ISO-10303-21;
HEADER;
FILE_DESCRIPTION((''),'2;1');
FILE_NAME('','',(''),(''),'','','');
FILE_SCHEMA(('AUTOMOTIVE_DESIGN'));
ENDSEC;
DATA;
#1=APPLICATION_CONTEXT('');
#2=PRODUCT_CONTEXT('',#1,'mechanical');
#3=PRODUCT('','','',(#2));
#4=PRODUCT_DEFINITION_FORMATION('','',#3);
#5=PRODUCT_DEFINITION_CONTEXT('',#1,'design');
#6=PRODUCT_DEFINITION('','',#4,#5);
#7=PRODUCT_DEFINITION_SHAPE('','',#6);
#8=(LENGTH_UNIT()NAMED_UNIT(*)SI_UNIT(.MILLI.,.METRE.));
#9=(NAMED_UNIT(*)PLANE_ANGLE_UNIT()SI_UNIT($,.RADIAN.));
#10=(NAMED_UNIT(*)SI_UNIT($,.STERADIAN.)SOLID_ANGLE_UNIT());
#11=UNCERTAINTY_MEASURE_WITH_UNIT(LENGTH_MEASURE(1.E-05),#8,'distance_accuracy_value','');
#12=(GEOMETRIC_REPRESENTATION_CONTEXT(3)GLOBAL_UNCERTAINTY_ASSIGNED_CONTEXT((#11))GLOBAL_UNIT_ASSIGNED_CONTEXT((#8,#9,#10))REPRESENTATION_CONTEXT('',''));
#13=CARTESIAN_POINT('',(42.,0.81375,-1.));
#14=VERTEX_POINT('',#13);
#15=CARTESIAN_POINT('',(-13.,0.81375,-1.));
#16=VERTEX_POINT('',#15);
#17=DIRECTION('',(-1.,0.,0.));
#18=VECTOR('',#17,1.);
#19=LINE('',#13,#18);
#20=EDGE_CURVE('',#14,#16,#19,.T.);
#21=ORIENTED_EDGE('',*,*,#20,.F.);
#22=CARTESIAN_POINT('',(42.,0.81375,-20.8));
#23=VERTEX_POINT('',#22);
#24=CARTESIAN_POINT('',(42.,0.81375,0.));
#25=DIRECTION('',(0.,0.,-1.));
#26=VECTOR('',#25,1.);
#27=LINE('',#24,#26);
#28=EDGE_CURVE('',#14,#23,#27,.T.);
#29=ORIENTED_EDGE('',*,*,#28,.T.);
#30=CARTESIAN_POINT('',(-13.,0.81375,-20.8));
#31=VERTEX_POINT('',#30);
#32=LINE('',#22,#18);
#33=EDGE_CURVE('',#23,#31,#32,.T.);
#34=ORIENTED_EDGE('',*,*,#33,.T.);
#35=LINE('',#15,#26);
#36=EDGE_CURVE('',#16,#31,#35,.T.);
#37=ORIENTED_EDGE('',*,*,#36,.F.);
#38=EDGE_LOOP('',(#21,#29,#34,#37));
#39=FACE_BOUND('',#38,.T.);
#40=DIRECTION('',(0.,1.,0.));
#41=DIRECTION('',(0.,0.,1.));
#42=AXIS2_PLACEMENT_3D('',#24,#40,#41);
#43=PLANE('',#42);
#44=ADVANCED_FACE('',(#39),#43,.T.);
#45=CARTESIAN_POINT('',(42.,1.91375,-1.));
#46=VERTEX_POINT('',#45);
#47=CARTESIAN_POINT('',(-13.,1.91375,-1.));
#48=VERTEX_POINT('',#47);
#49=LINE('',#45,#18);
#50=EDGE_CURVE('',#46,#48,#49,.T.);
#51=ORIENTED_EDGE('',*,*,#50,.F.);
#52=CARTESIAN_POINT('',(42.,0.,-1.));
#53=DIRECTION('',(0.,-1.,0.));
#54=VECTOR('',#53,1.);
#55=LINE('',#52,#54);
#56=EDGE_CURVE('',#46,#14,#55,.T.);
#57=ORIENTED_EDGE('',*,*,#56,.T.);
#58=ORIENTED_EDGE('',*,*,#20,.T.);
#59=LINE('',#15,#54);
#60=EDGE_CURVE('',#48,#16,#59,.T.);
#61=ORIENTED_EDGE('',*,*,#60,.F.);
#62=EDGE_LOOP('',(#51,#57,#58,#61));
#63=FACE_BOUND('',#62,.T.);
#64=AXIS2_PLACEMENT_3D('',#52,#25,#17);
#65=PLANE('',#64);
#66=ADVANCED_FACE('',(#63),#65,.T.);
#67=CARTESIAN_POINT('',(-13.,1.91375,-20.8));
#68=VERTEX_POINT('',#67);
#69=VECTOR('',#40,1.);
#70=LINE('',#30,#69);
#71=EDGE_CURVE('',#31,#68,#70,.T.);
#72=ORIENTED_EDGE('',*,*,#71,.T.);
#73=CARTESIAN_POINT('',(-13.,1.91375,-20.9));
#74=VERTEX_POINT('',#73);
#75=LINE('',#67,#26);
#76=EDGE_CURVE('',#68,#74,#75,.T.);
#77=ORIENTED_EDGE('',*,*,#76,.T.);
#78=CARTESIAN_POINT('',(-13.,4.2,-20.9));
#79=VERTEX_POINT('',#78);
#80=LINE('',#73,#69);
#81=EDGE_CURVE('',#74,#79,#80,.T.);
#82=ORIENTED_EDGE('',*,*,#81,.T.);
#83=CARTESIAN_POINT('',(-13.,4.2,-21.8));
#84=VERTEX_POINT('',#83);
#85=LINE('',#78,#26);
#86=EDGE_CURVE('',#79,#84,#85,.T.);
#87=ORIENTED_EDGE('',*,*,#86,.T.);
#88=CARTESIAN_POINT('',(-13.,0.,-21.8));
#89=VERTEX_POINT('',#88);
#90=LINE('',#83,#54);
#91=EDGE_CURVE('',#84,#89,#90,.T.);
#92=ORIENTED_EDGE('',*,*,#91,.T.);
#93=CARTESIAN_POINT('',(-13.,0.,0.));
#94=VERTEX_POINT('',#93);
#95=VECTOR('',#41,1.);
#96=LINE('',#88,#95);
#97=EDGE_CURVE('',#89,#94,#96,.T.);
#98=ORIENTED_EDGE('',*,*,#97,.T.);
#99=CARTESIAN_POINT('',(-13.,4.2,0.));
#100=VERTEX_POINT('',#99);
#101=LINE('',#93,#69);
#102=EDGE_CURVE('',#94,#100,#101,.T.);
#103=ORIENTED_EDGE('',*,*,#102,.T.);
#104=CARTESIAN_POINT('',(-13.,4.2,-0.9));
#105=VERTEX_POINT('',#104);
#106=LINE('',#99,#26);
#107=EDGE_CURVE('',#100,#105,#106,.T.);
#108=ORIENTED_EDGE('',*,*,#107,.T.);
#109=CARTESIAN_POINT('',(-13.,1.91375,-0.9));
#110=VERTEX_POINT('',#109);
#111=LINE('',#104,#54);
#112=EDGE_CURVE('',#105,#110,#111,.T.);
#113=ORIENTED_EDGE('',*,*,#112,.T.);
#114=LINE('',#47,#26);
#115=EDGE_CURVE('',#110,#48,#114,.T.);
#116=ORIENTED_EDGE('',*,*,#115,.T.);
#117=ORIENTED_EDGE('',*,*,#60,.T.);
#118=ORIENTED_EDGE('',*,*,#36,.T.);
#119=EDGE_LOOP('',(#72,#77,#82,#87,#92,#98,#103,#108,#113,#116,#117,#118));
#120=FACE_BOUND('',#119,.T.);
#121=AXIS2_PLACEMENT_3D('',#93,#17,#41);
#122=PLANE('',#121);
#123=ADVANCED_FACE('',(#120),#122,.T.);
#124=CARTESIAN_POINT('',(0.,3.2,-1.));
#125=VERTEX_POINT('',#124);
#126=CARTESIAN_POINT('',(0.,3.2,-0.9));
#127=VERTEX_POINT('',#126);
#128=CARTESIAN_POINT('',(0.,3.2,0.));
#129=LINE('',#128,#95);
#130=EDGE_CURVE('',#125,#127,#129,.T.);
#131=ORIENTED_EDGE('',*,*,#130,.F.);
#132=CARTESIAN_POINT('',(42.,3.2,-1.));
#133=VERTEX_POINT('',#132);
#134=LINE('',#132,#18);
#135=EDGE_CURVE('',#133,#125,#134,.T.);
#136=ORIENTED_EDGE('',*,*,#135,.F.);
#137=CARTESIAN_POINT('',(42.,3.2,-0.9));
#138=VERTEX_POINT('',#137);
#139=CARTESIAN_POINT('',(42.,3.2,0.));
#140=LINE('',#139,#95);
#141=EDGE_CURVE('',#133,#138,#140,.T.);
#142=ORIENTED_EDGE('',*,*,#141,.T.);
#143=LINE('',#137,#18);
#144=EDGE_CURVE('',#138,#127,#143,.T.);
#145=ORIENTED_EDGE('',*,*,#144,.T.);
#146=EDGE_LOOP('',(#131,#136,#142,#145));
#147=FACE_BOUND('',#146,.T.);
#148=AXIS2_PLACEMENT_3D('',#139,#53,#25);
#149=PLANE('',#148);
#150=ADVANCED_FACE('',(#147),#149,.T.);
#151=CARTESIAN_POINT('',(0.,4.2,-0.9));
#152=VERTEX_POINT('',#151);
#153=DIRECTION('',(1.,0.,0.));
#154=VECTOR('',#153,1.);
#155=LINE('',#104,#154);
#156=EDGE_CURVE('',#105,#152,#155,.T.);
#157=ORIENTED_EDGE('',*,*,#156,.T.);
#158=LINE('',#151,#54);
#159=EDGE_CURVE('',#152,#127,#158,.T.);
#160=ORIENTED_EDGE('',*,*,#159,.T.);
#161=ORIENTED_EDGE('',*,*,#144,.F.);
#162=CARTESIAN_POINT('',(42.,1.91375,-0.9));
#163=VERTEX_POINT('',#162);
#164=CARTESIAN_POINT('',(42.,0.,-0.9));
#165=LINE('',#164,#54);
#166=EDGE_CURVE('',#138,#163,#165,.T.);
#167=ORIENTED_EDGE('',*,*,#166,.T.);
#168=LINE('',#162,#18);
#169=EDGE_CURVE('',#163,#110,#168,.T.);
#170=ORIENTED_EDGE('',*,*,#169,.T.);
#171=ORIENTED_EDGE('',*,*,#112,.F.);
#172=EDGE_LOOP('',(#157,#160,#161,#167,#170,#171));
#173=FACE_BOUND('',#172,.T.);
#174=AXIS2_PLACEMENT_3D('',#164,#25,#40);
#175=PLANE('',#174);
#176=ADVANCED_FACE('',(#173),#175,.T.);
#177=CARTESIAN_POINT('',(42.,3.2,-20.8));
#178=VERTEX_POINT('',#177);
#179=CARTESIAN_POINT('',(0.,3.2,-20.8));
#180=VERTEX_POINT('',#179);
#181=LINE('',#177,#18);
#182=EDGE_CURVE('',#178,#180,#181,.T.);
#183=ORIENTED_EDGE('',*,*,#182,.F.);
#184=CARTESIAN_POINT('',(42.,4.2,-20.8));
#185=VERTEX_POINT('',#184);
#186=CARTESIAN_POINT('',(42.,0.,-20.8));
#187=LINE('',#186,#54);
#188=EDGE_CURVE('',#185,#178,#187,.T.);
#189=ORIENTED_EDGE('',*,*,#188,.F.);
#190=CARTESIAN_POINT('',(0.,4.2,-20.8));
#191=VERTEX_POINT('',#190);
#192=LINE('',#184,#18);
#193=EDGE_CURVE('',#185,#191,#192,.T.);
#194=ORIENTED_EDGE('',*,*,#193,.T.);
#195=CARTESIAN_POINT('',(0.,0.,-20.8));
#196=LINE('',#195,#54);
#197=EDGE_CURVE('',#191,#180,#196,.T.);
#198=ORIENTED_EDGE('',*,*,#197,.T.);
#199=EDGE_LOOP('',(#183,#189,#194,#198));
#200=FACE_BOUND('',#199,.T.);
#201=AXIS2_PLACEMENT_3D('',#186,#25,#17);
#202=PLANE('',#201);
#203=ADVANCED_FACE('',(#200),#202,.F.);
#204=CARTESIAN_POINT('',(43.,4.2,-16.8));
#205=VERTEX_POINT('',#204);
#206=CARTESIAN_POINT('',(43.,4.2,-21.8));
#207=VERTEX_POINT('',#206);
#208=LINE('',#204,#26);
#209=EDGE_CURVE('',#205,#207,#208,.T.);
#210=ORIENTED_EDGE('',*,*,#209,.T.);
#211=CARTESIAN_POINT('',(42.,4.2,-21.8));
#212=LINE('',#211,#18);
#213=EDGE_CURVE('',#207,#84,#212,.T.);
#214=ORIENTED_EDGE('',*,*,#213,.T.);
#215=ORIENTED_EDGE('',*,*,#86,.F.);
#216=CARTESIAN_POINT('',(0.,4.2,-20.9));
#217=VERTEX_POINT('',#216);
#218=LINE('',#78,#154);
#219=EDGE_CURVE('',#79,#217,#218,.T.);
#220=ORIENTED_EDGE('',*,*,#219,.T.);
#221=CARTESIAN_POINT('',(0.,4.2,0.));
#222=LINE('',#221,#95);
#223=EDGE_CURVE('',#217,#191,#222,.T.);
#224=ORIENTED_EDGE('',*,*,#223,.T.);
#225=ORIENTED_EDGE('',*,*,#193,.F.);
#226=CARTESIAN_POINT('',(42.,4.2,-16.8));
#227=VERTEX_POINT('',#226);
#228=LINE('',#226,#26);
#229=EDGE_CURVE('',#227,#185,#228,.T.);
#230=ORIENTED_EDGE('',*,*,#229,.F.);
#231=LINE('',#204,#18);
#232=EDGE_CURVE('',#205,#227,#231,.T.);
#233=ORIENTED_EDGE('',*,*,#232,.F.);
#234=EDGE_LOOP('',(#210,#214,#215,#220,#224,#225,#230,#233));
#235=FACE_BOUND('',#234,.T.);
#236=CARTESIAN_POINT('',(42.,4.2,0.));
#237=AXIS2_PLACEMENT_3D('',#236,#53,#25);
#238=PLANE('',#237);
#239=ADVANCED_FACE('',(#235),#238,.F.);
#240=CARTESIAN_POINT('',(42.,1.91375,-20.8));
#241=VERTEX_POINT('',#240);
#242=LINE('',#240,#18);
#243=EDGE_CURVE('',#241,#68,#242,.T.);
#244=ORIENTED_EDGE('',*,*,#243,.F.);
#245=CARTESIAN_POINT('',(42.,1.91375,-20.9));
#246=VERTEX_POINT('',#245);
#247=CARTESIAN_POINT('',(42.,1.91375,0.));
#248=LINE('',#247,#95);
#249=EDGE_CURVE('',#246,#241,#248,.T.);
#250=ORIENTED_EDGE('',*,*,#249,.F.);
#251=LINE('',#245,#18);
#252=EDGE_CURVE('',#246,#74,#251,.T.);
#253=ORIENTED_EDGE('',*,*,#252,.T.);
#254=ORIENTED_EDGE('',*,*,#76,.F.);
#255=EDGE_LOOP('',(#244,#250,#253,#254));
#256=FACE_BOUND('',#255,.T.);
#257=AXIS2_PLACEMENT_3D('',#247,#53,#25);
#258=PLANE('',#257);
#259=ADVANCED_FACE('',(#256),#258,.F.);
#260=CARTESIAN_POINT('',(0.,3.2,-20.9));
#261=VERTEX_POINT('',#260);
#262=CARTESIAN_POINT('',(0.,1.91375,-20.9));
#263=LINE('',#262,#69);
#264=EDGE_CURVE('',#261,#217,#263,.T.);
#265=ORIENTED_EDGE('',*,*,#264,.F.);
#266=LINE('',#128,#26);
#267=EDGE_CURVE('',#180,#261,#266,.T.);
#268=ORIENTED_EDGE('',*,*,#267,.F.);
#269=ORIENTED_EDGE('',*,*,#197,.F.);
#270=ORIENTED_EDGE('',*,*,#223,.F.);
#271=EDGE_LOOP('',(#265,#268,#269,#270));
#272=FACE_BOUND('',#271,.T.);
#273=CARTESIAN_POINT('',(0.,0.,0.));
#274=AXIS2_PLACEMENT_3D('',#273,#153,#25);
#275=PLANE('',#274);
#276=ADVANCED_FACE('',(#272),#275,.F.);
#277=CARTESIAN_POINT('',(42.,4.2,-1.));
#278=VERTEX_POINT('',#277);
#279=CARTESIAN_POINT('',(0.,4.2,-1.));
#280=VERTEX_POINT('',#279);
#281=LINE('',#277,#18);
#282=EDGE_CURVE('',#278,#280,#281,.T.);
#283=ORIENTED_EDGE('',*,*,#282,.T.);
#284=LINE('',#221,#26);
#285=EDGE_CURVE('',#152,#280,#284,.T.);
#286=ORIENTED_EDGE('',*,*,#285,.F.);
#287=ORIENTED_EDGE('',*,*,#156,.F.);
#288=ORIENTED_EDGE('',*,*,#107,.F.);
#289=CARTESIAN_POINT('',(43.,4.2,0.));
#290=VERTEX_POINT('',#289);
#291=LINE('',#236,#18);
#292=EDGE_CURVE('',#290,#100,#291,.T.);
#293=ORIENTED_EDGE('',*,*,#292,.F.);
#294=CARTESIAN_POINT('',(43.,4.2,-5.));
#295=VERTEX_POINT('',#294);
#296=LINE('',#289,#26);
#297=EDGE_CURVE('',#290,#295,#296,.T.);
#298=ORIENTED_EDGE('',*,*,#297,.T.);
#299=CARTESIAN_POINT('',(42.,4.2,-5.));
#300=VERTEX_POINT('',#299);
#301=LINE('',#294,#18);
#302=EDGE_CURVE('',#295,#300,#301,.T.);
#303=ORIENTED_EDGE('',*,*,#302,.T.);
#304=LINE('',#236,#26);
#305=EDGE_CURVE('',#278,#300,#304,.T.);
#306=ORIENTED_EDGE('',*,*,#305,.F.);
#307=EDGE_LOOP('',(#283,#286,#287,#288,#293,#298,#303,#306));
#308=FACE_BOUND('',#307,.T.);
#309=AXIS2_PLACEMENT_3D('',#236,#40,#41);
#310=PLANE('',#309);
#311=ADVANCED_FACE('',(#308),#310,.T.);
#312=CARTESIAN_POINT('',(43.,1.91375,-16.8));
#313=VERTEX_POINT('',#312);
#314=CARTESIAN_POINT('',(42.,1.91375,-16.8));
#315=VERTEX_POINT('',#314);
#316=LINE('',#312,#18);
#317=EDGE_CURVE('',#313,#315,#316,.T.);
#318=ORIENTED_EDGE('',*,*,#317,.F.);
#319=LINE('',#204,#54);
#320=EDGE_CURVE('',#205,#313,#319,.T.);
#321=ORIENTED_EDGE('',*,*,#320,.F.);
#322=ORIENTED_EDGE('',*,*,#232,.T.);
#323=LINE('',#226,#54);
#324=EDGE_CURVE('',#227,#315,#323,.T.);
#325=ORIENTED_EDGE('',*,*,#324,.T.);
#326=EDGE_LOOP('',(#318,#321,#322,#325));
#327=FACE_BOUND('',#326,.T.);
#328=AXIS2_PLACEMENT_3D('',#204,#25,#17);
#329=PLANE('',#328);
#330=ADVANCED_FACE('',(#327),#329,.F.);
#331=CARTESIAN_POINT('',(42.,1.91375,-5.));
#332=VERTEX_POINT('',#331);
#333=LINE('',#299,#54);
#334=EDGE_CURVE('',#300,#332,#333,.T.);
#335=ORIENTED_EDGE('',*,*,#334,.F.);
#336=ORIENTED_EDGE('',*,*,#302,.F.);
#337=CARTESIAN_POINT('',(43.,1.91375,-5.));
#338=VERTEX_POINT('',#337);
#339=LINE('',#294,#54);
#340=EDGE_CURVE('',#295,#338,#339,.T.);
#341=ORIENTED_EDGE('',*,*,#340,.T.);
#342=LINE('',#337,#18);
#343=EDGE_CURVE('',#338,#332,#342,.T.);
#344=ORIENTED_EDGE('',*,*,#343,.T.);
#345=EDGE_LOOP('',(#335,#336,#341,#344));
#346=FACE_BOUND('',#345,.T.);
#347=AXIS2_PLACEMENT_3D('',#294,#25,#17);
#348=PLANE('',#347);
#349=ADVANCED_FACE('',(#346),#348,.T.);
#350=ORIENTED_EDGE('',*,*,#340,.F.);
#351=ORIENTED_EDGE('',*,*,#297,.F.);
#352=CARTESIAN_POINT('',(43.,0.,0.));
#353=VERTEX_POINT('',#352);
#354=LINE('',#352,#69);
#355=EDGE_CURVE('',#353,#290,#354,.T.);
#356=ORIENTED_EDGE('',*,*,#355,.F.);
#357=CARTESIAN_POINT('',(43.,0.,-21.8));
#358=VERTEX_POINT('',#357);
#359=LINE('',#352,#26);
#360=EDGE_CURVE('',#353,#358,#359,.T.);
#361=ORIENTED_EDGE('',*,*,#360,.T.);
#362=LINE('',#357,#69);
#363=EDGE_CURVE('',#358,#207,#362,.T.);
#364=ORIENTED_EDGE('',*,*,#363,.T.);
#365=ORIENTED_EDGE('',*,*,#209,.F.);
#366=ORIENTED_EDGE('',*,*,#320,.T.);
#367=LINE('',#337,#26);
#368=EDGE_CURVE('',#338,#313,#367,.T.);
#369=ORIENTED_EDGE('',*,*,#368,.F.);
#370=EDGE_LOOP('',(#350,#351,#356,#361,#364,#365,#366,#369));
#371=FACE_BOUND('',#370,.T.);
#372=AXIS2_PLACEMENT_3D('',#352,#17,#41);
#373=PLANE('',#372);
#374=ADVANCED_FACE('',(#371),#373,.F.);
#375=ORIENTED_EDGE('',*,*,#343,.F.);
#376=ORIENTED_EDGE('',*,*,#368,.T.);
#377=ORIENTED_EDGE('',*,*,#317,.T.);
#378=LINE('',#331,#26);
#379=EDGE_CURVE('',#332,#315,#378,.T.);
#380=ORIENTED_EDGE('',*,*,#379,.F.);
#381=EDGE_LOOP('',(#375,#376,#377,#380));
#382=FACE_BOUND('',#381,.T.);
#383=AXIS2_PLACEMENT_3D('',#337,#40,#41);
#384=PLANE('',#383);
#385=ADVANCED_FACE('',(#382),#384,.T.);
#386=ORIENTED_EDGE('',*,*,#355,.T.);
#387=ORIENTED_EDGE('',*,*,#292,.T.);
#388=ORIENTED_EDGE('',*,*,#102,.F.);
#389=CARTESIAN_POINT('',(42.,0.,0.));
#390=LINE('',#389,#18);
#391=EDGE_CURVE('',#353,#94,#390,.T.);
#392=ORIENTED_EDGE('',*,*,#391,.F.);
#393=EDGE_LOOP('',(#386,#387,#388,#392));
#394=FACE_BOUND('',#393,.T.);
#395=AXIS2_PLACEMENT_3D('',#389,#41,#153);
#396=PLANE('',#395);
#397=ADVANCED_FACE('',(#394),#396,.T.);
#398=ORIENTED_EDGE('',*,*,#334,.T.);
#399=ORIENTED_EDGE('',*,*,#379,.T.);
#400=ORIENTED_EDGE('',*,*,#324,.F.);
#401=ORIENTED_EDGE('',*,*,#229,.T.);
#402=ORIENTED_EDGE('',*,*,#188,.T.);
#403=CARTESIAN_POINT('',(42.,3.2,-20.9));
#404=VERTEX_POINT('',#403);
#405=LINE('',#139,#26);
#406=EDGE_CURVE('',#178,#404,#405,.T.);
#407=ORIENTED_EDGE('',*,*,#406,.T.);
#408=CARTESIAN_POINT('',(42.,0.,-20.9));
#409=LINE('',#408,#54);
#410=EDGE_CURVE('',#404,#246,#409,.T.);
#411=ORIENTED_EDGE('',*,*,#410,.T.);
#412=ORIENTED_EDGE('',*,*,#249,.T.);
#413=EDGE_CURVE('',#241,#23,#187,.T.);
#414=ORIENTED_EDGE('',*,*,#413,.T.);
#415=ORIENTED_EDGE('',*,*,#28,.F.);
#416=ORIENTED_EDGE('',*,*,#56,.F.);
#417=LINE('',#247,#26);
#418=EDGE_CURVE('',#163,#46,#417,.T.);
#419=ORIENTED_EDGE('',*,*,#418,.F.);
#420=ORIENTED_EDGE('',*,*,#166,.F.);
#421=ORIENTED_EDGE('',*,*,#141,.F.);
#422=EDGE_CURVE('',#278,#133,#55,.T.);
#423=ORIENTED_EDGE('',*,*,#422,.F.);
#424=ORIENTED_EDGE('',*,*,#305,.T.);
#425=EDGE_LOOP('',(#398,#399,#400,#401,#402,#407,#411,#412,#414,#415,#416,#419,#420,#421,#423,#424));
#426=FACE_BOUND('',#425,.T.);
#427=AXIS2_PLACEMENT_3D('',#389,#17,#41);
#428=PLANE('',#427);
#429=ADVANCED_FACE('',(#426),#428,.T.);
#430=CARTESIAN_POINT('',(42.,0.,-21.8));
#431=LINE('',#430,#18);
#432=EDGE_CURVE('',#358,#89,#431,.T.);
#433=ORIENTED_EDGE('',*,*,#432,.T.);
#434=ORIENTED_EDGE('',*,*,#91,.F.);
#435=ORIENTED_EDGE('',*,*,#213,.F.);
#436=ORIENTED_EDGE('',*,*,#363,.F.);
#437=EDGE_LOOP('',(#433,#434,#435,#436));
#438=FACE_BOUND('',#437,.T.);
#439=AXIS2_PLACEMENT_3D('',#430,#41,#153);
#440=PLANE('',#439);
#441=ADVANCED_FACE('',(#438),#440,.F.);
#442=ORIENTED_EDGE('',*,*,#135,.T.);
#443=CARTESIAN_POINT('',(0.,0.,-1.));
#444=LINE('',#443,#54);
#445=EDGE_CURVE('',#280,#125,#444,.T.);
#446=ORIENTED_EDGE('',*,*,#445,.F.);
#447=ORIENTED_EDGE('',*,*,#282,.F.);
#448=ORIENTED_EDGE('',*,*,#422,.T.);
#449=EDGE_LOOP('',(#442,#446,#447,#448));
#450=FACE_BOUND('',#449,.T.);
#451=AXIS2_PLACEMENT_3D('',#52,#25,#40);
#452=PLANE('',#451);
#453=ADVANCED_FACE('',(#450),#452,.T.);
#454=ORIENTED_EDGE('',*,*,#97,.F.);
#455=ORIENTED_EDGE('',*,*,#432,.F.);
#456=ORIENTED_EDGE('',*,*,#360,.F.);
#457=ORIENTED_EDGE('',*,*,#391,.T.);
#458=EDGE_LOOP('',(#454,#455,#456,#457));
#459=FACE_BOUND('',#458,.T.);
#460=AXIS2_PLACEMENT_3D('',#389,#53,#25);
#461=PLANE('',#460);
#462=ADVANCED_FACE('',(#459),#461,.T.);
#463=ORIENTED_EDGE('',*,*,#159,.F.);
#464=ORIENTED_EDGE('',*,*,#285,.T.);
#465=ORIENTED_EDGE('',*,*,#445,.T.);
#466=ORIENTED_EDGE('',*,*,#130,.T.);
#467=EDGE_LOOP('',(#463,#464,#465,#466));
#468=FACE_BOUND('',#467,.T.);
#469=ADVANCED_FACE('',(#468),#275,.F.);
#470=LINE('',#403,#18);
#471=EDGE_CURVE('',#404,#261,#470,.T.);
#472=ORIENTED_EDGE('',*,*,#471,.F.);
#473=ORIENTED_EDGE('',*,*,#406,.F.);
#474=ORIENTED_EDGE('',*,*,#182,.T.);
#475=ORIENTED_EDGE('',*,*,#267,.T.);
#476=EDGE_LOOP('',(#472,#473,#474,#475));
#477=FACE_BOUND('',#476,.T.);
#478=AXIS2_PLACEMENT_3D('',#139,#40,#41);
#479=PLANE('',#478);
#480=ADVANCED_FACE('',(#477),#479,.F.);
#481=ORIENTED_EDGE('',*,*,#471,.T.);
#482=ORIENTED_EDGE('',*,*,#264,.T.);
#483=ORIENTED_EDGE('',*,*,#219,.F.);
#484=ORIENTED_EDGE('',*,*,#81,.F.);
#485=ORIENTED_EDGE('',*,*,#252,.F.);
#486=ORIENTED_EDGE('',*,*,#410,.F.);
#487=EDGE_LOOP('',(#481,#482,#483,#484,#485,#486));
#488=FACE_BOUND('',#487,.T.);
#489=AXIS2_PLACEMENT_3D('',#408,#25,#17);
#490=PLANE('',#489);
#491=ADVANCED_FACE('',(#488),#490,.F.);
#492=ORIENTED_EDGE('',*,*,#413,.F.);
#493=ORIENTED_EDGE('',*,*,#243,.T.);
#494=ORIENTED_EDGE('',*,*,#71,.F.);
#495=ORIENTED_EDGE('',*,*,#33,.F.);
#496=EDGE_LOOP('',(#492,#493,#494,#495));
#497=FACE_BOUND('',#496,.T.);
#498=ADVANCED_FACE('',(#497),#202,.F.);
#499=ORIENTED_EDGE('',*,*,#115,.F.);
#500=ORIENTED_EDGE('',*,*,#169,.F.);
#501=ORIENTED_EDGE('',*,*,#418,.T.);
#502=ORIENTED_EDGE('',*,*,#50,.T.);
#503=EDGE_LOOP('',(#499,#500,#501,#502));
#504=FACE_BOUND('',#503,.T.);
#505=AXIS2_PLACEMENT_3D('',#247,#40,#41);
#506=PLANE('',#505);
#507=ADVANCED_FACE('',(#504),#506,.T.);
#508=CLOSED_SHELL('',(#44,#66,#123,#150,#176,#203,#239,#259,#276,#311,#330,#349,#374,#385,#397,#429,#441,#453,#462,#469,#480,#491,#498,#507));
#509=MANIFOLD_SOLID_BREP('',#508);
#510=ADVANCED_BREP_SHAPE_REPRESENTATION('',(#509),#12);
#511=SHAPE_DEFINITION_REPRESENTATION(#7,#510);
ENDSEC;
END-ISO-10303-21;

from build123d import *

# Parameters (mm, degrees)
BOSS_EXTRUDE1_DEPTH = 42
BOSS_EXTRUDE2_DEPTH = 1
BOSS_EXTRUDE3_DEPTH = 13


with BuildPart() as part:
    # Sketch1 → Boss-Extrude1 (new body)
    with BuildSketch(Plane(origin=(0, 0, 0), x_dir=(0, 0, -1), z_dir=(1, 0, 0))):
        Polygon((0, 4.2), (0, 0), (10.9, 0), (10.9, 0.81375), (1, 0.81375), (1, 1.91375), (0.9, 1.91375), (0.9, 3.2), (1, 3.2), (1, 4.2), align=None)
        Polygon((10.9, 0.81375), (10.9, 0), (21.8, 0), (21.8, 4.2), (20.8, 4.2), (20.8, 3.2), (20.9, 3.2), (20.9, 1.91375), (20.8, 1.91375), (20.8, 0.81375), align=None)
    extrude(amount=BOSS_EXTRUDE1_DEPTH)

    # Sketch2 → Boss-Extrude2 (add)
    with BuildSketch(Plane(origin=(42, 0, 0), x_dir=(0, 0, -1), z_dir=(1, 0, 0))):
        Polygon((0, 0), (21.8, 0), (21.8, 4.2), (16.8, 4.2), (16.8, 1.91375), (5, 1.91375), (5, 4.2), (0, 4.2), align=None)
    extrude(amount=BOSS_EXTRUDE2_DEPTH)

    # Sketch3 → Boss-Extrude3 (add)
    with BuildSketch(Plane.ZY):
        Polygon((-21.8, 4.2), (-21.8, 0), (0, 0), (0, 4.2), (-0.9, 4.2), (-0.9, 1.91375), (-1, 1.91375), (-1, 0.81375), (-20.8, 0.81375), (-20.8, 1.91375), (-20.9, 1.91375), (-20.9, 4.2), align=None)
    extrude(amount=BOSS_EXTRUDE3_DEPTH)


solid = part.part
